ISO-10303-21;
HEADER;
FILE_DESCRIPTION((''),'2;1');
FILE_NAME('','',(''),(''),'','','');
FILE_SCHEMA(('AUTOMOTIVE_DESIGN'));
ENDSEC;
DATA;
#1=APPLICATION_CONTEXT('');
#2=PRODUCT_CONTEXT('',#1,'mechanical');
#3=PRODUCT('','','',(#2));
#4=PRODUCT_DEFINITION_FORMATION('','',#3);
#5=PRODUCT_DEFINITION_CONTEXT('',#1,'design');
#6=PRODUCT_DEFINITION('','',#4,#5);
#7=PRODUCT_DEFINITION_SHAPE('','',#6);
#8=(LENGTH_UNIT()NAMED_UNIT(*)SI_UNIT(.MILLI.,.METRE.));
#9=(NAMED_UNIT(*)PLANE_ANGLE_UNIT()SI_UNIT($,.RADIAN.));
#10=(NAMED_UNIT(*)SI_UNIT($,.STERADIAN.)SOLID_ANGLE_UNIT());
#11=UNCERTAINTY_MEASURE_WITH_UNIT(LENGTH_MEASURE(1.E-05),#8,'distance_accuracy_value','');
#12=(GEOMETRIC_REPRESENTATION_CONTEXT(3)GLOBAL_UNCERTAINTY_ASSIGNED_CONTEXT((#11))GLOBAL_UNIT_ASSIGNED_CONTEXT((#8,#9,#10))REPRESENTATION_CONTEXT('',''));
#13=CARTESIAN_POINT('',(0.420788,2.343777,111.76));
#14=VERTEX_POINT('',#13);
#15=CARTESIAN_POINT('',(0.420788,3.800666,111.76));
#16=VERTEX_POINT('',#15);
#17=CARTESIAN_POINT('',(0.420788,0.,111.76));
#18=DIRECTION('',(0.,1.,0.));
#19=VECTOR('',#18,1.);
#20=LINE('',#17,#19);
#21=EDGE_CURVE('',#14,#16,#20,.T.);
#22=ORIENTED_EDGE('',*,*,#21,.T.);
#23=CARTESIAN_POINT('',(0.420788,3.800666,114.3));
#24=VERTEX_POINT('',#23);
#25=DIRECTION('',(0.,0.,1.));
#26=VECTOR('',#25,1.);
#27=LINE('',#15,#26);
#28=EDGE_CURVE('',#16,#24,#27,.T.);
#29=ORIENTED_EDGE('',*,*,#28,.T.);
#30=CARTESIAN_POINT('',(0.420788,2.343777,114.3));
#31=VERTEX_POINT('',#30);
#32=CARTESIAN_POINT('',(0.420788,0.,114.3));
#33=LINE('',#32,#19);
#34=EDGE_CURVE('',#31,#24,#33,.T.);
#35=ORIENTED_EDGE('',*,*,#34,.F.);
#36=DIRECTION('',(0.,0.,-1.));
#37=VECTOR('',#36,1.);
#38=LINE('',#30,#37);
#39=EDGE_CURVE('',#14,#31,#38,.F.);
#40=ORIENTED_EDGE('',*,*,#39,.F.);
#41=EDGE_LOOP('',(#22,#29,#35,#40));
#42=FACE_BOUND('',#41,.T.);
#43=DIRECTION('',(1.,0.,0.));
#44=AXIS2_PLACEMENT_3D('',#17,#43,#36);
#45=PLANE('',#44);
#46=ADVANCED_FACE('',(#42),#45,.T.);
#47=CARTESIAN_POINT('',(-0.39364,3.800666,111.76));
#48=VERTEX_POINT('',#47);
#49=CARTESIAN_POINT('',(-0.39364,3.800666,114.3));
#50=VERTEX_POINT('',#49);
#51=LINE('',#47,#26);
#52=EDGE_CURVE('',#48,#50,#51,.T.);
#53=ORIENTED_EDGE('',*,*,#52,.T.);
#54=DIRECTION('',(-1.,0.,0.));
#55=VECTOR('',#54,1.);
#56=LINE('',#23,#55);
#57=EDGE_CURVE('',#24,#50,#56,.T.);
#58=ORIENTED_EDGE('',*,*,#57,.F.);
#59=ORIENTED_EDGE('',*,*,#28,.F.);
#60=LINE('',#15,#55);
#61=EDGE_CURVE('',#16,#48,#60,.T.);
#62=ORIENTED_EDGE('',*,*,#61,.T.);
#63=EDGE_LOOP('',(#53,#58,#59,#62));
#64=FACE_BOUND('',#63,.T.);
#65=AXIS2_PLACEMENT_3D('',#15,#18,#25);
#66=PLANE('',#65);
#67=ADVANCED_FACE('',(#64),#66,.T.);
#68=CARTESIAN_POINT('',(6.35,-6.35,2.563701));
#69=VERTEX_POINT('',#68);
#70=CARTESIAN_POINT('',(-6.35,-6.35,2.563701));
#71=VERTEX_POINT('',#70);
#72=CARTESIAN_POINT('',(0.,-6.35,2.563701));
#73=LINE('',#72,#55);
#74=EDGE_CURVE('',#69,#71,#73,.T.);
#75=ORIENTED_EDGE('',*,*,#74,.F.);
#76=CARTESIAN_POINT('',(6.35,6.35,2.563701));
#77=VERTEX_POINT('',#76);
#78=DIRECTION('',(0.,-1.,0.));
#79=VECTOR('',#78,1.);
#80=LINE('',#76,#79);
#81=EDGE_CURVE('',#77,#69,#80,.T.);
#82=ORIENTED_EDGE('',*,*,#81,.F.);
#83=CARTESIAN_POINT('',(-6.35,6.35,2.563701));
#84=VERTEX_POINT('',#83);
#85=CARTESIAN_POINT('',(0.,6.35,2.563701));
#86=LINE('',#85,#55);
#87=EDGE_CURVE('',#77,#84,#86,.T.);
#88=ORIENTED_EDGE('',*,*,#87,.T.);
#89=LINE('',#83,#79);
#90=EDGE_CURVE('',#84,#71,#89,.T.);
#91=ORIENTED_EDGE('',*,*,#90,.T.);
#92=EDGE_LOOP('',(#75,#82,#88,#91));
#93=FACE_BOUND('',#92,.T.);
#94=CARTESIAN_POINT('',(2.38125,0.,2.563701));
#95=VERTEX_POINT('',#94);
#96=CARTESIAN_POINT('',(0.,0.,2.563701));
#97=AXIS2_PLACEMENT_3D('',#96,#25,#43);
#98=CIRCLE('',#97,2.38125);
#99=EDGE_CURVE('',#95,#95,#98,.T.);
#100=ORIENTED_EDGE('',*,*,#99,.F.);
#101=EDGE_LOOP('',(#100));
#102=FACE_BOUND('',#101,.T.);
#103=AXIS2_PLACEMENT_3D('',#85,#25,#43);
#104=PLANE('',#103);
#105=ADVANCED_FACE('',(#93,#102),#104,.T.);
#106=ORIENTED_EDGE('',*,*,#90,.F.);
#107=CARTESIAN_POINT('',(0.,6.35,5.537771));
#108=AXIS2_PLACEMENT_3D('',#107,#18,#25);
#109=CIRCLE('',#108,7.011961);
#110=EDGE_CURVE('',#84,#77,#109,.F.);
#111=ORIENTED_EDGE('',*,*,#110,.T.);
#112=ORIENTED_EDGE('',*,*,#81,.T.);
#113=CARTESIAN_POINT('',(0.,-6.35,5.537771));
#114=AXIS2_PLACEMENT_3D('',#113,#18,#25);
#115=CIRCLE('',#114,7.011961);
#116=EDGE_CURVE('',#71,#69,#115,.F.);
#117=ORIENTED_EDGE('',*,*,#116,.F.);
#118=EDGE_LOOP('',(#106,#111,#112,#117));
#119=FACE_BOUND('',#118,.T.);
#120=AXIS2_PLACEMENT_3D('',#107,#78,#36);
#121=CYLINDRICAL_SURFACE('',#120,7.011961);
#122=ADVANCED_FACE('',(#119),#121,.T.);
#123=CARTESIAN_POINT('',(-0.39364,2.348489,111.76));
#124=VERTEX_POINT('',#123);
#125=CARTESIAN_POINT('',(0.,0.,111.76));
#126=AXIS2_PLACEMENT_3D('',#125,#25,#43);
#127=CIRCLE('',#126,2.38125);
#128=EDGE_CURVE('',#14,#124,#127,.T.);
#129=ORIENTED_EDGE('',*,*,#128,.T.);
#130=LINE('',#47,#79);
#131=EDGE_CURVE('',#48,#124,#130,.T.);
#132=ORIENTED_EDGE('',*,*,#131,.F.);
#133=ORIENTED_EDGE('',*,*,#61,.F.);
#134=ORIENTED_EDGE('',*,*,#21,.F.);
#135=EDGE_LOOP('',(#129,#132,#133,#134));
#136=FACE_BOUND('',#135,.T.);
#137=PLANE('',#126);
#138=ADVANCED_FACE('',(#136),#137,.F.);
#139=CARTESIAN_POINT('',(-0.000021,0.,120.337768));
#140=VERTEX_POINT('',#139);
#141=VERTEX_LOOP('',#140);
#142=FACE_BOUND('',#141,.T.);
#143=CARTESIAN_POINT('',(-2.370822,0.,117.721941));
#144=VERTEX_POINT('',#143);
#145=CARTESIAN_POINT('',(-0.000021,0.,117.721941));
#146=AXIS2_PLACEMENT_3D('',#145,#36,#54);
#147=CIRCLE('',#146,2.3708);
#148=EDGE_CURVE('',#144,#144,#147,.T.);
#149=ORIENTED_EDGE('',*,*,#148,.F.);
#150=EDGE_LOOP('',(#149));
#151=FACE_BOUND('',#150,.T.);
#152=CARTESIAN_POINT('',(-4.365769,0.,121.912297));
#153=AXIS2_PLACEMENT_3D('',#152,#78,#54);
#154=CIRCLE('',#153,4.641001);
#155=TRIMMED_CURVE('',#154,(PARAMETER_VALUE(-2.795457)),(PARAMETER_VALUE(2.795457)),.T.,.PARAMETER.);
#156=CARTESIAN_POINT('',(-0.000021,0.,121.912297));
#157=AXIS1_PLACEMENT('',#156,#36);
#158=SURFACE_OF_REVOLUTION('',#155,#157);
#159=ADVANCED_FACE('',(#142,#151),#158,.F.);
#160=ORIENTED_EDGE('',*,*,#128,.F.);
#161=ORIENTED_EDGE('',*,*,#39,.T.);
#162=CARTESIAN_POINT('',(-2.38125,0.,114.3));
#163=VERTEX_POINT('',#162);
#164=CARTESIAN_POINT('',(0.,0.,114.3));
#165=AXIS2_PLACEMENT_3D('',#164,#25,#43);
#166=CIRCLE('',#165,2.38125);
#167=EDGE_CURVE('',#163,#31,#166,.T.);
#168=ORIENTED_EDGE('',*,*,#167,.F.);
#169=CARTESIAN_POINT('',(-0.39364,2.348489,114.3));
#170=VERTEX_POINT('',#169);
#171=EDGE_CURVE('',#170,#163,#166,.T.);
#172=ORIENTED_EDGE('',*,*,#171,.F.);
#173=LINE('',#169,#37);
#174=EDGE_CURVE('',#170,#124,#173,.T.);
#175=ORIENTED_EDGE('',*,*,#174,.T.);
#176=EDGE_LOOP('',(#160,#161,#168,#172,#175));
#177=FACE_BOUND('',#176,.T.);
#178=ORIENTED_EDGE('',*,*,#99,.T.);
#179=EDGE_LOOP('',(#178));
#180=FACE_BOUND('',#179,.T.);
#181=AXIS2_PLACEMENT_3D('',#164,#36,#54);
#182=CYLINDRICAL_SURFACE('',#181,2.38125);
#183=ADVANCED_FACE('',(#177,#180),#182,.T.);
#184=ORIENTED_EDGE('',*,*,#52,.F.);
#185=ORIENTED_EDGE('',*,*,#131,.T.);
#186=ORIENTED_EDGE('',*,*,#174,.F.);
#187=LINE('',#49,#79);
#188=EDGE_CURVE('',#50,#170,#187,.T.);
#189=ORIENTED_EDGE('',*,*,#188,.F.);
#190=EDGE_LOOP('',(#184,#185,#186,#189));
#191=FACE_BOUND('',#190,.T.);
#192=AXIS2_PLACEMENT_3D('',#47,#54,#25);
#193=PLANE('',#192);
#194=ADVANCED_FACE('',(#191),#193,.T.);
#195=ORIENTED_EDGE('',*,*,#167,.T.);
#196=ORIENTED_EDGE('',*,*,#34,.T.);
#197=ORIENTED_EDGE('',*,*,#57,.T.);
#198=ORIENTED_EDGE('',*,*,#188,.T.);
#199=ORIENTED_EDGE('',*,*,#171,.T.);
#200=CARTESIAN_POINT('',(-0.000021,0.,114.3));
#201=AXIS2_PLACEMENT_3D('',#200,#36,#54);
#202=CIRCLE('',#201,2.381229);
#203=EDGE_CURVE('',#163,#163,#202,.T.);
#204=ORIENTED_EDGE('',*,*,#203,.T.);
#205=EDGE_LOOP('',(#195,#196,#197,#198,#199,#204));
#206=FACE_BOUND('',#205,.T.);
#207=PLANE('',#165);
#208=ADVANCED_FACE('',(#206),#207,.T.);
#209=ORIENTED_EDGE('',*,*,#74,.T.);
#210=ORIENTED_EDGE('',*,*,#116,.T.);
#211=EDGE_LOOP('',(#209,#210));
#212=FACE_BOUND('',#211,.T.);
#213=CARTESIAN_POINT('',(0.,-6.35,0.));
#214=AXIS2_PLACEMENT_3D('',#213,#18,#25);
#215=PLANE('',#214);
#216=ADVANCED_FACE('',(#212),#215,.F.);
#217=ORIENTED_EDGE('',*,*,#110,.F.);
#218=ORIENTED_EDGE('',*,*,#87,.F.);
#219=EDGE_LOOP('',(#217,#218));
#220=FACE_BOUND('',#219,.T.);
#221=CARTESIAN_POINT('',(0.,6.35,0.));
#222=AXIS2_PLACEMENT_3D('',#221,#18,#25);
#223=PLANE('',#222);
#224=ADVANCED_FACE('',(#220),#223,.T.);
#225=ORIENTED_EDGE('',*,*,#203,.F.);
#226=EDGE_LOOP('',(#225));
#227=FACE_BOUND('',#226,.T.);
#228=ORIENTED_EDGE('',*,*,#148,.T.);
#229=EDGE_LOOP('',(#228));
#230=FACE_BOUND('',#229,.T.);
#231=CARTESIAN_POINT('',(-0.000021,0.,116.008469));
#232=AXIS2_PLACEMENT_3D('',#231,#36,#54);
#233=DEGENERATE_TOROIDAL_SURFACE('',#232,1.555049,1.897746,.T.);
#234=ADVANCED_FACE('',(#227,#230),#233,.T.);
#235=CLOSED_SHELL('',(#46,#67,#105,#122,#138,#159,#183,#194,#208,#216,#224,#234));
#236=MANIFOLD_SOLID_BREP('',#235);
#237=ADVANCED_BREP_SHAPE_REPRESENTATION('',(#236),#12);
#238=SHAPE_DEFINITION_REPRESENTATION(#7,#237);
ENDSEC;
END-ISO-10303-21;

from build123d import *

# Parameters (mm, degrees)
SKETCH1_R           = 2.38125
BOSS_EXTRUDE1_DEPTH = 114.3
BOSS_EXTRUDE2_DEPTH = 6.35
BOSS_EXTRUDE3_DEPTH = 2.54


with BuildPart() as part:
    # Sketch1 → Boss-Extrude1 (new body)
    with BuildSketch(Plane.XY):
        Circle(SKETCH1_R)
    extrude(amount=BOSS_EXTRUDE1_DEPTH)

    # Sketch2 → Boss-Extrude2 (add, symmetric)
    with BuildSketch(Plane(origin=(0, 0, 0), x_dir=(1, 0, 0), z_dir=(0, 1, 0))):
        with BuildLine():
            Line((-6.35, -2.563701192), (0, -2.563701192))
            Line((0, -2.563701192), (6.35, -2.563701192))
            ThreePointArc((6.35, -2.563701192), (0, 1.474189404), (-6.35, -2.563701192))
        make_face()
    extrude(amount=BOSS_EXTRUDE2_DEPTH, both=True)

    # Sketch3 → Boss-Extrude3 (add)
    with BuildSketch(Plane.XY.offset(114.3)):
        Polygon((0, 0), (-0.393640411, 0), (-0.393640411, 3.800666036), (0.420788025, 3.800666036), (0.420788025, 0), align=None)
    extrude(amount=-BOSS_EXTRUDE3_DEPTH)

    # Sketch6 → Revolve1 (revolve)
    with BuildSketch(Plane(origin=(0, 0, 0), x_dir=(1, 0, 0), z_dir=(0, 1, 0))):
        with BuildLine():
            Line((-2.38125, -114.3), (-2.1348e-05, -114.3))
            Line((-2.1348e-05, -114.3), (-2.1348e-05, -120.337767792))
            ThreePointArc((-2.1348e-05, -120.337767792), (-0.926983302, -118.795624498), (-2.370821649, -117.721941476))
            ThreePointArc((-2.370821649, -117.721941476), (-3.452807259, -116.014252194), (-2.38125, -114.3))
        make_face()
    revolve(axis=Axis((-2.1348e-05, 0, 114.3), (0, 0, 1)))


solid = part.part
